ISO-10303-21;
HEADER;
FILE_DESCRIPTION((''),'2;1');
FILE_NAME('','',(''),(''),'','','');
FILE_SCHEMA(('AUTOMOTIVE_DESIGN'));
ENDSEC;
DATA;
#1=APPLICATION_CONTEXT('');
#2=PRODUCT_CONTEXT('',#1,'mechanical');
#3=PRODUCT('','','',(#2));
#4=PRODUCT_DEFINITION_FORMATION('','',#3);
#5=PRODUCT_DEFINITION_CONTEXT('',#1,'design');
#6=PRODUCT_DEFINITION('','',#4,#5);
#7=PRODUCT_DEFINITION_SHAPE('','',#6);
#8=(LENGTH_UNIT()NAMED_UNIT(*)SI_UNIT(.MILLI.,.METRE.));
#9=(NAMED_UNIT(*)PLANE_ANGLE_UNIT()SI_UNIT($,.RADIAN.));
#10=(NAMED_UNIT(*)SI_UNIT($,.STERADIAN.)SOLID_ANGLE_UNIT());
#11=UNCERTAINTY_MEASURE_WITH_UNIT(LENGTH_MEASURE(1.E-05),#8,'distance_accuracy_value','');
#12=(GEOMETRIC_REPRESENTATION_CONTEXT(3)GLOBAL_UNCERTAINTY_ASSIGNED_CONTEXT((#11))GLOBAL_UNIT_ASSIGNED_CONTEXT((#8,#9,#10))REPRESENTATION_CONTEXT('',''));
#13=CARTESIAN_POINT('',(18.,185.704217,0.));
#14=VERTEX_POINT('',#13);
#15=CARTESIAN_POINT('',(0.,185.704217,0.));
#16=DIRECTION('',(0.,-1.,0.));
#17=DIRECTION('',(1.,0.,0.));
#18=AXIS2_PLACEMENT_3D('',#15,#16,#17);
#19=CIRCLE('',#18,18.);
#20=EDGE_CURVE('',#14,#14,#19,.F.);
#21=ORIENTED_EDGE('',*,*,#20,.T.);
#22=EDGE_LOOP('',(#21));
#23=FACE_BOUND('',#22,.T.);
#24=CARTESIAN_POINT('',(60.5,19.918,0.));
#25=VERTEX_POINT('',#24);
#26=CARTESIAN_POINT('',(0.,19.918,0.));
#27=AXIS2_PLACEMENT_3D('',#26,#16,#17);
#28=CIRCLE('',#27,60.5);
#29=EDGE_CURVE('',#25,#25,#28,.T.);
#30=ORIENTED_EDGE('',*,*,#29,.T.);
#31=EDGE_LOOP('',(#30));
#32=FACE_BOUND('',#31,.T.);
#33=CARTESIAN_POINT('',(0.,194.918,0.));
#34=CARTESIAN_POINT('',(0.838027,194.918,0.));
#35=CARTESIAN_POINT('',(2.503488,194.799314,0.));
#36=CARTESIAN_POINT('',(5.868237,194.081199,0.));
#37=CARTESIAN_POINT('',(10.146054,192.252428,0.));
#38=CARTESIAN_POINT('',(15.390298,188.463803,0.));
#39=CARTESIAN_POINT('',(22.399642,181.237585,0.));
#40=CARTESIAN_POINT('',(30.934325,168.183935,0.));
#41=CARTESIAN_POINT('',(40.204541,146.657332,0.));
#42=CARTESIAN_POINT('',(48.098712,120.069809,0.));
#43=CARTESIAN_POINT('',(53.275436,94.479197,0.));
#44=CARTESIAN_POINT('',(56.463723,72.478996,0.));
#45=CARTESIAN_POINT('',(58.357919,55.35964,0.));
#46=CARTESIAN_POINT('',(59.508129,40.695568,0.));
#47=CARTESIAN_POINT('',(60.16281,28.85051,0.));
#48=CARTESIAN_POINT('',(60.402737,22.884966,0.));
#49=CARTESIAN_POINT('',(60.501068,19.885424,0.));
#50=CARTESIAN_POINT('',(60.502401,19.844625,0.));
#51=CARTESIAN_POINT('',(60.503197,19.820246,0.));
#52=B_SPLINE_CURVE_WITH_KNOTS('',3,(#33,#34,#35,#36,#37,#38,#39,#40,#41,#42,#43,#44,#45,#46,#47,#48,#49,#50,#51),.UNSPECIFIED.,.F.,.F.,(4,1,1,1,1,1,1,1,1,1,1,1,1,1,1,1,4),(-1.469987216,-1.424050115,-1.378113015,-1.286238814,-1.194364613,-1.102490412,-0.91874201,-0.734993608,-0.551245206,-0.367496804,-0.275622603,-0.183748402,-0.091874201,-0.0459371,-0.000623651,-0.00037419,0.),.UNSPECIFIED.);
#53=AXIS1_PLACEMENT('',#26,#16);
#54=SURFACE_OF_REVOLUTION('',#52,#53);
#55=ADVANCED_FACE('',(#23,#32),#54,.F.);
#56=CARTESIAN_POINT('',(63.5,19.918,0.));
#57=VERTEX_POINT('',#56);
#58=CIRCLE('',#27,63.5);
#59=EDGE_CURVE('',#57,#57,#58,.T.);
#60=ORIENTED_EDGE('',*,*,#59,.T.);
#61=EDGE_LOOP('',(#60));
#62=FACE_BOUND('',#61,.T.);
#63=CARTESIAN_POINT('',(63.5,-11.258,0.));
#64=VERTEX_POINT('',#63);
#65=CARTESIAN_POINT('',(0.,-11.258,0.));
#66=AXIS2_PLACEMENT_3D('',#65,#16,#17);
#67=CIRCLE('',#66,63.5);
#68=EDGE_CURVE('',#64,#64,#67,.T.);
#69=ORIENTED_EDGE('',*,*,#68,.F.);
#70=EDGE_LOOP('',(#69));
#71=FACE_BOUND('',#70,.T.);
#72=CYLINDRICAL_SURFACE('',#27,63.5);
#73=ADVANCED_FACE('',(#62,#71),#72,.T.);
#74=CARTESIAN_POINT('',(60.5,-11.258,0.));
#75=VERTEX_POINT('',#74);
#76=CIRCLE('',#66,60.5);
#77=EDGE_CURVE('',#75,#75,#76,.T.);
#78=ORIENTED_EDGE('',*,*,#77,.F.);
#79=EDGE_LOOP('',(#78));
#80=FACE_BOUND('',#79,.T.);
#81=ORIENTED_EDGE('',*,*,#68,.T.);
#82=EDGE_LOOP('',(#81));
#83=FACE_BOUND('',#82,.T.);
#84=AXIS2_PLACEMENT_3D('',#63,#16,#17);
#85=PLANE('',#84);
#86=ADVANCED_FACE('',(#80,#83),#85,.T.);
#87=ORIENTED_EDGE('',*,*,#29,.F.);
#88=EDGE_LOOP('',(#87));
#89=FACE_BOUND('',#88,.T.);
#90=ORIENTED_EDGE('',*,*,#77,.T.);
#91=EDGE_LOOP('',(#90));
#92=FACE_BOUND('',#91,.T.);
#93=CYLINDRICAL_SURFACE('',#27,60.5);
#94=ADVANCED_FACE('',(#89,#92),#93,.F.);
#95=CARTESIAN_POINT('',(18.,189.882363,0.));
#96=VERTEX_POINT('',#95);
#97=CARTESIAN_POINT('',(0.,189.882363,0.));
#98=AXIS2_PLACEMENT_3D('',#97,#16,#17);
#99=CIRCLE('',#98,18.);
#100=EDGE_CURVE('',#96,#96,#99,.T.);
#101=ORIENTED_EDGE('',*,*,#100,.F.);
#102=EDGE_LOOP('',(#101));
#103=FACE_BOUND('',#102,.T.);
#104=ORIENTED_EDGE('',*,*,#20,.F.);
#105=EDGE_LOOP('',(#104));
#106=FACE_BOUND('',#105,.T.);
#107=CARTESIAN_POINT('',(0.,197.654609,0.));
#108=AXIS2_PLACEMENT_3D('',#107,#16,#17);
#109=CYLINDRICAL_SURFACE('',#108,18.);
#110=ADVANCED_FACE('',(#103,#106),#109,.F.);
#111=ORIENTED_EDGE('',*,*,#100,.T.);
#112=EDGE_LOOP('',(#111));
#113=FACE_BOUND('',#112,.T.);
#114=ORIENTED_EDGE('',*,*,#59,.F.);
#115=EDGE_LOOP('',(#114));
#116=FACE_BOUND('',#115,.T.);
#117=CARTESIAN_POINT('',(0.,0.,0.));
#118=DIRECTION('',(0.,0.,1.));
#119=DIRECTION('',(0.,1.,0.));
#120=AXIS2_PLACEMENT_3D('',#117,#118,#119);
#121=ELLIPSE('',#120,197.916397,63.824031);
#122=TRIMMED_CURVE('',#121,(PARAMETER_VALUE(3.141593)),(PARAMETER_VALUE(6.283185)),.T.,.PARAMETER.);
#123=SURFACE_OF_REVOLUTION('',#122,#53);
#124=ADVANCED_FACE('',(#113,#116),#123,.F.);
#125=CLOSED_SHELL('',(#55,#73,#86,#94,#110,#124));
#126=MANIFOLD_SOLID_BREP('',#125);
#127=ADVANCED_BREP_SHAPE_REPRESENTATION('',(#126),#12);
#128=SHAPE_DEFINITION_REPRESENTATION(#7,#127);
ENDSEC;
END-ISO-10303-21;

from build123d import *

# Parameters (mm, degrees)
CUT_EXTRUDE2_REACH = 219.337
SKETCH3_R          = 1.125
FILLET1_R          = 2
CUT_EXTRUDE3_REACH = 229.395
SKETCH4_R          = 18


with BuildPart() as part:
    # Sketch1 → Revolve1 (revolve)
    with BuildSketch(Plane.XY):
        with BuildLine():
            Line((0, 197.916397287), (0, 194.918))
            add(Edge.make_bspline(
                [(60.5, 19.918), (60.499732959, 19.926145969), (60.402409896, 22.893098065), (60.16281033, 28.850509892), (59.508128944, 40.695567648), (58.357918827, 55.359639545), (56.463723352, 72.478995962), (53.275435607, 94.479197256), (48.098712363, 120.069808877), (40.204540851, 146.657332098), (30.934325295, 168.183935188), (22.399641779, 181.237585072), (15.390298271, 188.463802804), (10.146054193, 192.252428145), (5.868237085, 194.081198554), (2.503488005, 194.799314319), (0.838027003, 194.918), (0, 194.918)],
                knots=[-1.469488295, -1.469488295, -1.469488295, -1.469488295, -1.469363565, -1.424050115, -1.378113015, -1.286238814, -1.194364613, -1.102490412, -0.91874201, -0.734993608, -0.551245206, -0.367496804, -0.275622603, -0.183748402, -0.091874201, -0.0459371, 0, 0, 0, 0], degree=3))
            Line((60.5, 19.918), (60.5, -11.258))
            Line((60.5, -11.258), (63.5, -11.258))
            Line((63.5, -11.258), (63.5, 19.918))
            add(Edge.make_bspline(
                [(63.5, 19.918), (57.693786584, 197.916397287), (0, 197.916397287)],
                knots=[4.813198091, 4.813198091, 4.813198091, 6.283185307, 6.283185307, 6.283185307], degree=2, weights=[1, 0.74183504, 1]))
        make_face()
    revolve(axis=Axis((0, 19.918, 0), (0, 1, 0)))

    # Sketch3 → Cut-Extrude2 (cut, up to next)
    with BuildSketch(Plane(origin=(0, 0, 0), x_dir=(1, 0, 0), z_dir=(0, 1, 0)), mode=Mode.PRIVATE) as cut_extrude2_sk1:
        Circle(SKETCH3_R)
    cut_extrude2_tool1 = extrude(cut_extrude2_sk1.sketch, amount=CUT_EXTRUDE2_REACH, mode=Mode.PRIVATE) & part.part
    add(cut_extrude2_tool1.solids().sort_by_distance((0, 0, 0))[0], mode=Mode.SUBTRACT)

    # Fillet1
    fillet1_edges = [part.edges().sort_by_distance(p)[0] for p in [
        (-1.125, 197.885648917, 0),
    ]]
    fillet(fillet1_edges, radius=FILLET1_R)

    # Sketch4 → Cut-Extrude3 (cut, up to next)
    with BuildSketch(Plane(origin=(0, -11.258, 0), x_dir=(-1, 0, 0), z_dir=(0, -1, 0)), mode=Mode.PRIVATE) as cut_extrude3_sk1:
        with Locations(Location((0, 0, 0), (0, 0, 180))):
            Circle(SKETCH4_R)
    cut_extrude3_tool1 = extrude(cut_extrude3_sk1.sketch, amount=-CUT_EXTRUDE3_REACH, mode=Mode.PRIVATE) & part.part
    add(cut_extrude3_tool1.solids().sort_by_distance((0, -11.258, 0))[0], mode=Mode.SUBTRACT)


solid = part.part
